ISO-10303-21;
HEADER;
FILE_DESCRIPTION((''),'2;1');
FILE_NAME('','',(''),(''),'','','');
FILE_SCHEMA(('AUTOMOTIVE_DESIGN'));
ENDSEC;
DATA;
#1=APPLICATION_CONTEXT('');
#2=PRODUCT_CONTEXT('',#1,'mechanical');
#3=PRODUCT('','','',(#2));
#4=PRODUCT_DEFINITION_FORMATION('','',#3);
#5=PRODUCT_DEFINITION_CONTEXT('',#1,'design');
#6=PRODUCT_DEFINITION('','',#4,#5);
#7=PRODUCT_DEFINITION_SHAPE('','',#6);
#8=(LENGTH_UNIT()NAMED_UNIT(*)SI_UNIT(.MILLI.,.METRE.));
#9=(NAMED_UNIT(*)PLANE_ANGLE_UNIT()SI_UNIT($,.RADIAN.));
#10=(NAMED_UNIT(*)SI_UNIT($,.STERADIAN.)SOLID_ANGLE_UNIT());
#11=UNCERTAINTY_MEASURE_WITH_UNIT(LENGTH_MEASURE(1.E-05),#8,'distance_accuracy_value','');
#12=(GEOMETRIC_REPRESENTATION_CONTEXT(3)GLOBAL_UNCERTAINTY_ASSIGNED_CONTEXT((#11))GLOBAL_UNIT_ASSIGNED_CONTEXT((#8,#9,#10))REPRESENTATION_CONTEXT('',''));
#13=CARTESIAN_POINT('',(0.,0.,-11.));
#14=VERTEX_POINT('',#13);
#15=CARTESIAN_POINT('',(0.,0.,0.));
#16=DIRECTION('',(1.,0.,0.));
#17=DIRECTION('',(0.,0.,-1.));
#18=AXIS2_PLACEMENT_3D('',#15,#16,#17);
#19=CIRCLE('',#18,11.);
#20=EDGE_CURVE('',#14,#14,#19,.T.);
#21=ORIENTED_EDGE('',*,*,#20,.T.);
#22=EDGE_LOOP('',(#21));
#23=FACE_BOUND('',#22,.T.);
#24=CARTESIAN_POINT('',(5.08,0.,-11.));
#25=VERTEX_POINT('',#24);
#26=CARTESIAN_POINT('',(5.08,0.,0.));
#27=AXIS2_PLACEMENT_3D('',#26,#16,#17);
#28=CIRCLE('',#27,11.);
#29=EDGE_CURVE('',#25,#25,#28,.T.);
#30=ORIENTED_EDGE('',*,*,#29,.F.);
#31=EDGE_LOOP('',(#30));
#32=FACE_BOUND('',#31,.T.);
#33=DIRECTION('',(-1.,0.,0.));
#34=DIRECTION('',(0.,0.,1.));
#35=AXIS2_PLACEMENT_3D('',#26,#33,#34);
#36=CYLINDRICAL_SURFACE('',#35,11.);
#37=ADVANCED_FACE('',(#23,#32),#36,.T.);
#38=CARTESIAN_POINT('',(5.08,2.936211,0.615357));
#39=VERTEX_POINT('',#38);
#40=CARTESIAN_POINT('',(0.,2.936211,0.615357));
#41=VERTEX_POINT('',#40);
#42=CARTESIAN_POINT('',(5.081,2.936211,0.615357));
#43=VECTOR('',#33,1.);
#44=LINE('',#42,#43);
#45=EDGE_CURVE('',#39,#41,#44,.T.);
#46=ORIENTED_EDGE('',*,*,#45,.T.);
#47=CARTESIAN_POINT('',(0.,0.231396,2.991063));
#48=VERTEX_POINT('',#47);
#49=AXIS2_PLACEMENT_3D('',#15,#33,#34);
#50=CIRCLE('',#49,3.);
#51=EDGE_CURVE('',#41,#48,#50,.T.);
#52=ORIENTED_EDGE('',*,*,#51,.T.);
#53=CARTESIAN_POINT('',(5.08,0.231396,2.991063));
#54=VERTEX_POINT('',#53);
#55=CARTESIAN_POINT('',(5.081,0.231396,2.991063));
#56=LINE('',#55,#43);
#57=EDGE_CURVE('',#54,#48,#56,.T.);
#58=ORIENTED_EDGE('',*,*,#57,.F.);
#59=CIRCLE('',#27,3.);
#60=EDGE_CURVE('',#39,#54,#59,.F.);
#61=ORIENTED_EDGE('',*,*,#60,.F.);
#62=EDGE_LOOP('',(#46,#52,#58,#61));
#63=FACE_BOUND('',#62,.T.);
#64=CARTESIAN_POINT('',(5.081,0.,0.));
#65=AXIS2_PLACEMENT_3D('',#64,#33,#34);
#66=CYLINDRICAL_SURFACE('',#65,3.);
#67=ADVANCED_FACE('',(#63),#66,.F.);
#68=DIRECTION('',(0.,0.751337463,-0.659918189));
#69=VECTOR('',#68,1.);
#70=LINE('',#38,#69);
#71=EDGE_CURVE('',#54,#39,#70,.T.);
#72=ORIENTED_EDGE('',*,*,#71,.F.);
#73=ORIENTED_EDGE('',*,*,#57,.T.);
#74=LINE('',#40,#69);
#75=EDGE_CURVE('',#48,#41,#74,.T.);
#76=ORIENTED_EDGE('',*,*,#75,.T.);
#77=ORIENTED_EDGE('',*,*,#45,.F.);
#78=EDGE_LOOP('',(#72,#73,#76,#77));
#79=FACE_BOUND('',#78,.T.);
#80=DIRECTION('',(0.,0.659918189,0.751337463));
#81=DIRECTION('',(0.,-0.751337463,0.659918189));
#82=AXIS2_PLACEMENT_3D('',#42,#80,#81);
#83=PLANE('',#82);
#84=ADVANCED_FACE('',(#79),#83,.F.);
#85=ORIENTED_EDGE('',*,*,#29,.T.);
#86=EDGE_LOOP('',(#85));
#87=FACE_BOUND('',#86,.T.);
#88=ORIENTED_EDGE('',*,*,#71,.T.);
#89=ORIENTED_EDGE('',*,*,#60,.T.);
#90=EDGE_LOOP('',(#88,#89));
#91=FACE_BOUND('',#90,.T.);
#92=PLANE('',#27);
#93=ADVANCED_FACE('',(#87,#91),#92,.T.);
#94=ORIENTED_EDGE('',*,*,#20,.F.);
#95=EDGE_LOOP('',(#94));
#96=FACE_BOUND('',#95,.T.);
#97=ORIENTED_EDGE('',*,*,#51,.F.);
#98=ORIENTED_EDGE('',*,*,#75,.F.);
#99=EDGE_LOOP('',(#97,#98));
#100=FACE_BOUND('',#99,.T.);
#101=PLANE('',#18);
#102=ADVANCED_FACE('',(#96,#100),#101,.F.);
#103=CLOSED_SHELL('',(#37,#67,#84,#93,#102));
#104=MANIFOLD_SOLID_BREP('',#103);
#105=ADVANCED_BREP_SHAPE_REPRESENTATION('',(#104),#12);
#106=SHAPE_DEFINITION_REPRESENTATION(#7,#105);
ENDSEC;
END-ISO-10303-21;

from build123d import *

# Parameters (mm, degrees)
SKETCH1_R           = 11
BOSS_EXTRUDE1_DEPTH = 5.08
CUT_EXTRUDE1_REACH  = 7.08


with BuildPart() as part:
    # Sketch1 → Boss-Extrude1 (new body)
    with BuildSketch(Plane(origin=(0, 0, 0), x_dir=(0, 0, -1), z_dir=(1, 0, 0))):
        Circle(SKETCH1_R)
    extrude(amount=BOSS_EXTRUDE1_DEPTH)

    # Sketch2 → Cut-Extrude1 (cut, up to next)
    with BuildSketch(Plane.ZY, mode=Mode.PRIVATE) as cut_extrude1_sk1:
        with BuildLine():
            Line((0.615357171, 2.936211088), (2.991062652, 0.23139622))
            ThreePointArc((2.991062652, 0.23139622), (-2.25401239, -1.979754567), (0.615357171, 2.936211088))
        make_face()
    cut_extrude1_tool1 = extrude(cut_extrude1_sk1.sketch, amount=-CUT_EXTRUDE1_REACH, mode=Mode.PRIVATE) & part.part
    add(cut_extrude1_tool1.solids().sort_by_distance((0, -0.095727, -0.108989))[0], mode=Mode.SUBTRACT)


solid = part.part
